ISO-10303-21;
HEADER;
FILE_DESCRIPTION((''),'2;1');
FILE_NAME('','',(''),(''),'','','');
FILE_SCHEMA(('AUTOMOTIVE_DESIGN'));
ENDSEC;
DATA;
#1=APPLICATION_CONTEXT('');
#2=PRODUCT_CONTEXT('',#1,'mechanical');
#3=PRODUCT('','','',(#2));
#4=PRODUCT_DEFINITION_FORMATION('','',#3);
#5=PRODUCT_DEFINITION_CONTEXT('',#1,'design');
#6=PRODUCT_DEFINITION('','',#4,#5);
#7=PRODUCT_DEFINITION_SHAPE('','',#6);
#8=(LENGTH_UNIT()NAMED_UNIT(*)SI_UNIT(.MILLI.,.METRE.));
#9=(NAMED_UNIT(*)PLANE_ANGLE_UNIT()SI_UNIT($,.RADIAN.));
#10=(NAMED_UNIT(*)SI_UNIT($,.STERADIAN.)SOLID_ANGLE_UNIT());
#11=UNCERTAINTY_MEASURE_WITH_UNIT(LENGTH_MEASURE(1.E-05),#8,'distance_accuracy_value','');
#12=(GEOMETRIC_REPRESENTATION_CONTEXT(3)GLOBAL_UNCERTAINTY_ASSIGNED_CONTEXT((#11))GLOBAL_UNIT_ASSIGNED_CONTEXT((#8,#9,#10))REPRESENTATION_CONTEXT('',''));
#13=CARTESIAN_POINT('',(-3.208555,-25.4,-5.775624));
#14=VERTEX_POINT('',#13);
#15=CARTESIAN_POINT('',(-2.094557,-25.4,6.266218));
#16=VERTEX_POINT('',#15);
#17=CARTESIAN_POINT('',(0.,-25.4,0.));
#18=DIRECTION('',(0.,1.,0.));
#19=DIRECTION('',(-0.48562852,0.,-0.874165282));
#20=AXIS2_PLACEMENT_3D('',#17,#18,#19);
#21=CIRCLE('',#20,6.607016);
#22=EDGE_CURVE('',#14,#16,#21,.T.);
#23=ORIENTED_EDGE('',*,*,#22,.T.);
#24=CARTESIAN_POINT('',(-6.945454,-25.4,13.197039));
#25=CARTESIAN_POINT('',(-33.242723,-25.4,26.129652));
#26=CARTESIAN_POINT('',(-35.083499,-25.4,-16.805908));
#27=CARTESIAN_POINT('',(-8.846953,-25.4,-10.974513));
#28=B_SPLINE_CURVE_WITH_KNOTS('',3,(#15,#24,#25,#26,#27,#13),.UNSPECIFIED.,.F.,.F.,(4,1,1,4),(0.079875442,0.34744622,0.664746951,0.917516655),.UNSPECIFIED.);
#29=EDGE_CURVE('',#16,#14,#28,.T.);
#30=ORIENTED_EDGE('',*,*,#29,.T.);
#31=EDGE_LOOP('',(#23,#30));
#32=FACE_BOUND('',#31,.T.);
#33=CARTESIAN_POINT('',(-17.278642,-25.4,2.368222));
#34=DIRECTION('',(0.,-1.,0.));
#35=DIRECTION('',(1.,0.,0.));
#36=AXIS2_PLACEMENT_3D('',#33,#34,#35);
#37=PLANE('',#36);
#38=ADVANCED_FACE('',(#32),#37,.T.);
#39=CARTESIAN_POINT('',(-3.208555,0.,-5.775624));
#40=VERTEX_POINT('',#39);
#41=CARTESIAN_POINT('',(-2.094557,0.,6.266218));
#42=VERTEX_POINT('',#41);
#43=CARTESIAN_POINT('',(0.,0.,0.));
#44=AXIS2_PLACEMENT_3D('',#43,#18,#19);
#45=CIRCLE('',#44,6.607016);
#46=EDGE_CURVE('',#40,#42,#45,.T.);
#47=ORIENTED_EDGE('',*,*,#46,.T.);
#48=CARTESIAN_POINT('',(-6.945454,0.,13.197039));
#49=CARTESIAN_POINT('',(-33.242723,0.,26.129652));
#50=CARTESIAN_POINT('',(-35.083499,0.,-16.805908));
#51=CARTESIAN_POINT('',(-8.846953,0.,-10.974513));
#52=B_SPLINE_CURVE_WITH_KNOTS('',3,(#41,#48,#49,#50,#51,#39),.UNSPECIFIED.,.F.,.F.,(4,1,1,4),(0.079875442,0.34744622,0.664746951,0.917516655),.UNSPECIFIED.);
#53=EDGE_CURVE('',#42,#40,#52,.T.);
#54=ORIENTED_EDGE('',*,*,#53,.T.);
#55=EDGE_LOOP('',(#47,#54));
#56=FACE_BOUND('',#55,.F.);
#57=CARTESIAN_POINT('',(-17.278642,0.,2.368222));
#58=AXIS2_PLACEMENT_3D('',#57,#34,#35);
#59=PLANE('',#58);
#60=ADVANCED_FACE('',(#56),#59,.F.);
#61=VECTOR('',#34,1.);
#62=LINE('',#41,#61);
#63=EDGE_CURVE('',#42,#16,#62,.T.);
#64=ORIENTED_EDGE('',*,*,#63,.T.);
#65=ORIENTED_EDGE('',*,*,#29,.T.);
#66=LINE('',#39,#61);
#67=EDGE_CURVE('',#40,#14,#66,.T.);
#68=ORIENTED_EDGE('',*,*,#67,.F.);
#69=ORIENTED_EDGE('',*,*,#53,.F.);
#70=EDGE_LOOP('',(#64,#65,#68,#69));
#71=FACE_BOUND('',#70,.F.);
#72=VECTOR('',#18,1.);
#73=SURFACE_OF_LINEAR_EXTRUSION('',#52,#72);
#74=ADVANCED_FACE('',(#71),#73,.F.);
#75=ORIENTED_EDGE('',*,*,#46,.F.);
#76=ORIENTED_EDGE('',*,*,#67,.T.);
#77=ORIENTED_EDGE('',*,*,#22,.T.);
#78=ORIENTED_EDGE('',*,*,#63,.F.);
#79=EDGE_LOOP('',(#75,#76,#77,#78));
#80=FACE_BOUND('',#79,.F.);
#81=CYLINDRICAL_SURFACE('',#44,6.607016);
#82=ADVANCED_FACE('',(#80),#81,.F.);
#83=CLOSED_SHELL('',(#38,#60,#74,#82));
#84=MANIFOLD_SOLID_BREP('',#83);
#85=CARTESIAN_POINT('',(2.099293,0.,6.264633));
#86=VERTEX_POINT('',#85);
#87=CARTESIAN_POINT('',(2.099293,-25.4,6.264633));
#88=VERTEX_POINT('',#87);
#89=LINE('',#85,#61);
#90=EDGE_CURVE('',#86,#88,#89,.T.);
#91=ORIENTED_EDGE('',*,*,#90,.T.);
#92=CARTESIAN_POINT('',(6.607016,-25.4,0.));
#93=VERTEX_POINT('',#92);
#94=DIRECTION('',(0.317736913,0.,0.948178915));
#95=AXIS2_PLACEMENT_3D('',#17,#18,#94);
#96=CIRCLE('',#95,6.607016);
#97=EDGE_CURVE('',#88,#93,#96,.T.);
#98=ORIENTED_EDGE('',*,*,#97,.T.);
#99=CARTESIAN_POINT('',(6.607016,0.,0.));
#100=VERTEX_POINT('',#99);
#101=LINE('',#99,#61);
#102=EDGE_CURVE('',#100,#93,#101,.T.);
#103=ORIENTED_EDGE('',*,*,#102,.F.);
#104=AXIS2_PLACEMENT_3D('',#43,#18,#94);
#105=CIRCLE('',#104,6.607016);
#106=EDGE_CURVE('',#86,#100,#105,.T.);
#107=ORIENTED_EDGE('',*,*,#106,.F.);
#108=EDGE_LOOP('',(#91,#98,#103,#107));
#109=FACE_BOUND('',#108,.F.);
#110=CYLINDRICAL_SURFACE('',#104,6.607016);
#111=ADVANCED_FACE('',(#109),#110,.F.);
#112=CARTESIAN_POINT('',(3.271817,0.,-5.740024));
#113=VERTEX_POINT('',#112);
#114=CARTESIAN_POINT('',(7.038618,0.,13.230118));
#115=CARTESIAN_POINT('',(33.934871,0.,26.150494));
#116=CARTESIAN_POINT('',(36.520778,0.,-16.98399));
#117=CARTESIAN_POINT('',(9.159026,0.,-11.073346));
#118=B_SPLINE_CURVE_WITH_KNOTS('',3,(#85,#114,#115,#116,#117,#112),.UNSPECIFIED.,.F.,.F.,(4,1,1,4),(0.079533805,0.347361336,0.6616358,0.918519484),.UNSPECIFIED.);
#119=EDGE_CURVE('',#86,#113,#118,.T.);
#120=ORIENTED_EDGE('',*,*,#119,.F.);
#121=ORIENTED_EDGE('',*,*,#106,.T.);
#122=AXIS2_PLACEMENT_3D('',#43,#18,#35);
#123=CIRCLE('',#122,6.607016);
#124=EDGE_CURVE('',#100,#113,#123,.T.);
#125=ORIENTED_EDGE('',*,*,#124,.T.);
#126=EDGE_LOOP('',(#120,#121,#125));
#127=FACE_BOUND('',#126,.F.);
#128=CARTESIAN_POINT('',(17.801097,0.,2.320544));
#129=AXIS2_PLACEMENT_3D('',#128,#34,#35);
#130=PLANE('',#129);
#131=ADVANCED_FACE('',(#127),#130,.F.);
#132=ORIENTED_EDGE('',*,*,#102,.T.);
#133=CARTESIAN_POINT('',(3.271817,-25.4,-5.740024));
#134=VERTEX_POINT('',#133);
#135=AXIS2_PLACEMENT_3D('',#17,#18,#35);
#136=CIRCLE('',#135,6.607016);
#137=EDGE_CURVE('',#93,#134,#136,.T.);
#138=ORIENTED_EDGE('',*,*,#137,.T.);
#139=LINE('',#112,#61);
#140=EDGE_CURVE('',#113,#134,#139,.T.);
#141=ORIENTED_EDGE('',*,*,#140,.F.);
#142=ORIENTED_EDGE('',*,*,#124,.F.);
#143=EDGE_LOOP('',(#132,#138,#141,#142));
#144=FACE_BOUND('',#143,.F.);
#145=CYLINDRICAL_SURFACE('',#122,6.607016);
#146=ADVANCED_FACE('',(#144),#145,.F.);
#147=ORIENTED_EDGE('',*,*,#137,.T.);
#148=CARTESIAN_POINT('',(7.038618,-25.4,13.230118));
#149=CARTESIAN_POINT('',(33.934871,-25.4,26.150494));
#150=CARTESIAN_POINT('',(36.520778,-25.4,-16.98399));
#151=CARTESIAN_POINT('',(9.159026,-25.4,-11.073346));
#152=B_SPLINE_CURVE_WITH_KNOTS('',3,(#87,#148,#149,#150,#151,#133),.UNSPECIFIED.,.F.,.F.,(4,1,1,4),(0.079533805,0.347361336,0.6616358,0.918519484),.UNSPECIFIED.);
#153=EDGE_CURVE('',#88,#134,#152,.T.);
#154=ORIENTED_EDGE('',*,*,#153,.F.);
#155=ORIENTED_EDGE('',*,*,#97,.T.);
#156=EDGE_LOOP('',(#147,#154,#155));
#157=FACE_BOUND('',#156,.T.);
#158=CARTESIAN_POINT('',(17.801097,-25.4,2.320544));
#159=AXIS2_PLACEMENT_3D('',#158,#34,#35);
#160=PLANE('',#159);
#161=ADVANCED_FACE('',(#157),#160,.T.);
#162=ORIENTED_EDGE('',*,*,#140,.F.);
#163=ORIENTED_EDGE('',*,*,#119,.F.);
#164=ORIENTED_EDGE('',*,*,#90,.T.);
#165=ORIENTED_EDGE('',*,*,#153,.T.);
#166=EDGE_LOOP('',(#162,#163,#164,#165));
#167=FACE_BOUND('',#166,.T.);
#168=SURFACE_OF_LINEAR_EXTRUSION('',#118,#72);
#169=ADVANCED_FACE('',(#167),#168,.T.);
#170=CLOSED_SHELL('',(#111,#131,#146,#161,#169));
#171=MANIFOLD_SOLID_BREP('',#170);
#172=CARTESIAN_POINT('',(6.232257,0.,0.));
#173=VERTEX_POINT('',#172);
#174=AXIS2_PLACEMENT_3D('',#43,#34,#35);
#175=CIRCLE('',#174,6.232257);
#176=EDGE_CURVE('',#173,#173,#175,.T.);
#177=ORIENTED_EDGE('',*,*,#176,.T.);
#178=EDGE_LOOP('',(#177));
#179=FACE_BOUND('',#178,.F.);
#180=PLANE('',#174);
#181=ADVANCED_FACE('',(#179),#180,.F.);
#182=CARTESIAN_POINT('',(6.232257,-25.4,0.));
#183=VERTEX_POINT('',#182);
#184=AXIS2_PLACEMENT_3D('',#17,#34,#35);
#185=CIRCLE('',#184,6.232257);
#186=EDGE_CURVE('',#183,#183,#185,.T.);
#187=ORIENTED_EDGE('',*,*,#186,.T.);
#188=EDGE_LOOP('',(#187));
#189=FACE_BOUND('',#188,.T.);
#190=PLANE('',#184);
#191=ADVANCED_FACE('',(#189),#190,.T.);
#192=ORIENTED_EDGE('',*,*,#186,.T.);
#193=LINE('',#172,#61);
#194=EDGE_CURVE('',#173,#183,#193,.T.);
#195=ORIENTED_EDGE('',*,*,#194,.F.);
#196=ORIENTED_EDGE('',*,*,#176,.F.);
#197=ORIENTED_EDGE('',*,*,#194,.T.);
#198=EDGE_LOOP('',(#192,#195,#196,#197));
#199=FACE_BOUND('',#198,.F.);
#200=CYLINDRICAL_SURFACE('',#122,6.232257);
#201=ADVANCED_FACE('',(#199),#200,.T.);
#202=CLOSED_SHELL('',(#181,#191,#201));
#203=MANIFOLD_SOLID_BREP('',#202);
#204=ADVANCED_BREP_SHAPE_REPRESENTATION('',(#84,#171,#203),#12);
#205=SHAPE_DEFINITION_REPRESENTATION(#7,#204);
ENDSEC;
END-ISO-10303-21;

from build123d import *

# Parameters (mm, degrees)
F1_DEPTH = 25.4
F2_R     = 6.2322568569
F3_DEPTH = 25.4


with BuildPart() as f1:
    # F0 (on Front) → F1 (new body)
    with BuildSketch(Plane.XZ):
        with BuildLine():
            ThreePointArc((-3.2085554394, -5.7756240803), (-6.5789241531, 0.6086201709), (-2.0945574764, 6.2662181978))
            add(Edge.make_bspline(
                [(-2.0945574764, 6.2662181978), (-6.9454537614, 13.1970393513), (-33.2427230287, 26.129651708), (-35.0834992847, -16.8059078124), (-8.8469530023, -10.9745129071), (-3.2085554394, -5.7756240803)],
                knots=[0.0798754415, 0.0798754415, 0.0798754415, 0.0798754415, 0.3474462203, 0.6647469506, 0.9175166554, 0.9175166554, 0.9175166554, 0.9175166554], degree=3))
        make_face()
    extrude(amount=F1_DEPTH)


with BuildPart() as f1b:
    # F0 (on Front) → F1, piece 2 (new body)
    with BuildSketch(Plane.XZ):
        with BuildLine():
            ThreePointArc((2.0992928926, 6.2646333392), (5.3629620281, 3.858924696), (6.6070160832, 0))
            ThreePointArc((6.6070160832, 0), (5.7126878884, -3.3193159859), (3.2718165089, -5.7400242383))
            add(Edge.make_bspline(
                [(2.0992928926, 6.2646333392), (7.0386181498, 13.2301181091), (33.934870773, 26.1504942036), (36.5207778926, -16.9839897273), (9.1590263839, -11.0733462711), (3.2718165089, -5.7400242383)],
                knots=[0.0795338053, 0.0795338053, 0.0795338053, 0.0795338053, 0.3473613361, 0.6616357998, 0.9185194836, 0.9185194836, 0.9185194836, 0.9185194836], degree=3))
        make_face()
    extrude(amount=F1_DEPTH)


with BuildPart() as f3:
    # F2 (on Front) → F3 (new body)
    with BuildSketch(Plane.XZ):
        Circle(F2_R)
    extrude(amount=F3_DEPTH)


solid = Compound([f1.part, f1b.part, f3.part])
